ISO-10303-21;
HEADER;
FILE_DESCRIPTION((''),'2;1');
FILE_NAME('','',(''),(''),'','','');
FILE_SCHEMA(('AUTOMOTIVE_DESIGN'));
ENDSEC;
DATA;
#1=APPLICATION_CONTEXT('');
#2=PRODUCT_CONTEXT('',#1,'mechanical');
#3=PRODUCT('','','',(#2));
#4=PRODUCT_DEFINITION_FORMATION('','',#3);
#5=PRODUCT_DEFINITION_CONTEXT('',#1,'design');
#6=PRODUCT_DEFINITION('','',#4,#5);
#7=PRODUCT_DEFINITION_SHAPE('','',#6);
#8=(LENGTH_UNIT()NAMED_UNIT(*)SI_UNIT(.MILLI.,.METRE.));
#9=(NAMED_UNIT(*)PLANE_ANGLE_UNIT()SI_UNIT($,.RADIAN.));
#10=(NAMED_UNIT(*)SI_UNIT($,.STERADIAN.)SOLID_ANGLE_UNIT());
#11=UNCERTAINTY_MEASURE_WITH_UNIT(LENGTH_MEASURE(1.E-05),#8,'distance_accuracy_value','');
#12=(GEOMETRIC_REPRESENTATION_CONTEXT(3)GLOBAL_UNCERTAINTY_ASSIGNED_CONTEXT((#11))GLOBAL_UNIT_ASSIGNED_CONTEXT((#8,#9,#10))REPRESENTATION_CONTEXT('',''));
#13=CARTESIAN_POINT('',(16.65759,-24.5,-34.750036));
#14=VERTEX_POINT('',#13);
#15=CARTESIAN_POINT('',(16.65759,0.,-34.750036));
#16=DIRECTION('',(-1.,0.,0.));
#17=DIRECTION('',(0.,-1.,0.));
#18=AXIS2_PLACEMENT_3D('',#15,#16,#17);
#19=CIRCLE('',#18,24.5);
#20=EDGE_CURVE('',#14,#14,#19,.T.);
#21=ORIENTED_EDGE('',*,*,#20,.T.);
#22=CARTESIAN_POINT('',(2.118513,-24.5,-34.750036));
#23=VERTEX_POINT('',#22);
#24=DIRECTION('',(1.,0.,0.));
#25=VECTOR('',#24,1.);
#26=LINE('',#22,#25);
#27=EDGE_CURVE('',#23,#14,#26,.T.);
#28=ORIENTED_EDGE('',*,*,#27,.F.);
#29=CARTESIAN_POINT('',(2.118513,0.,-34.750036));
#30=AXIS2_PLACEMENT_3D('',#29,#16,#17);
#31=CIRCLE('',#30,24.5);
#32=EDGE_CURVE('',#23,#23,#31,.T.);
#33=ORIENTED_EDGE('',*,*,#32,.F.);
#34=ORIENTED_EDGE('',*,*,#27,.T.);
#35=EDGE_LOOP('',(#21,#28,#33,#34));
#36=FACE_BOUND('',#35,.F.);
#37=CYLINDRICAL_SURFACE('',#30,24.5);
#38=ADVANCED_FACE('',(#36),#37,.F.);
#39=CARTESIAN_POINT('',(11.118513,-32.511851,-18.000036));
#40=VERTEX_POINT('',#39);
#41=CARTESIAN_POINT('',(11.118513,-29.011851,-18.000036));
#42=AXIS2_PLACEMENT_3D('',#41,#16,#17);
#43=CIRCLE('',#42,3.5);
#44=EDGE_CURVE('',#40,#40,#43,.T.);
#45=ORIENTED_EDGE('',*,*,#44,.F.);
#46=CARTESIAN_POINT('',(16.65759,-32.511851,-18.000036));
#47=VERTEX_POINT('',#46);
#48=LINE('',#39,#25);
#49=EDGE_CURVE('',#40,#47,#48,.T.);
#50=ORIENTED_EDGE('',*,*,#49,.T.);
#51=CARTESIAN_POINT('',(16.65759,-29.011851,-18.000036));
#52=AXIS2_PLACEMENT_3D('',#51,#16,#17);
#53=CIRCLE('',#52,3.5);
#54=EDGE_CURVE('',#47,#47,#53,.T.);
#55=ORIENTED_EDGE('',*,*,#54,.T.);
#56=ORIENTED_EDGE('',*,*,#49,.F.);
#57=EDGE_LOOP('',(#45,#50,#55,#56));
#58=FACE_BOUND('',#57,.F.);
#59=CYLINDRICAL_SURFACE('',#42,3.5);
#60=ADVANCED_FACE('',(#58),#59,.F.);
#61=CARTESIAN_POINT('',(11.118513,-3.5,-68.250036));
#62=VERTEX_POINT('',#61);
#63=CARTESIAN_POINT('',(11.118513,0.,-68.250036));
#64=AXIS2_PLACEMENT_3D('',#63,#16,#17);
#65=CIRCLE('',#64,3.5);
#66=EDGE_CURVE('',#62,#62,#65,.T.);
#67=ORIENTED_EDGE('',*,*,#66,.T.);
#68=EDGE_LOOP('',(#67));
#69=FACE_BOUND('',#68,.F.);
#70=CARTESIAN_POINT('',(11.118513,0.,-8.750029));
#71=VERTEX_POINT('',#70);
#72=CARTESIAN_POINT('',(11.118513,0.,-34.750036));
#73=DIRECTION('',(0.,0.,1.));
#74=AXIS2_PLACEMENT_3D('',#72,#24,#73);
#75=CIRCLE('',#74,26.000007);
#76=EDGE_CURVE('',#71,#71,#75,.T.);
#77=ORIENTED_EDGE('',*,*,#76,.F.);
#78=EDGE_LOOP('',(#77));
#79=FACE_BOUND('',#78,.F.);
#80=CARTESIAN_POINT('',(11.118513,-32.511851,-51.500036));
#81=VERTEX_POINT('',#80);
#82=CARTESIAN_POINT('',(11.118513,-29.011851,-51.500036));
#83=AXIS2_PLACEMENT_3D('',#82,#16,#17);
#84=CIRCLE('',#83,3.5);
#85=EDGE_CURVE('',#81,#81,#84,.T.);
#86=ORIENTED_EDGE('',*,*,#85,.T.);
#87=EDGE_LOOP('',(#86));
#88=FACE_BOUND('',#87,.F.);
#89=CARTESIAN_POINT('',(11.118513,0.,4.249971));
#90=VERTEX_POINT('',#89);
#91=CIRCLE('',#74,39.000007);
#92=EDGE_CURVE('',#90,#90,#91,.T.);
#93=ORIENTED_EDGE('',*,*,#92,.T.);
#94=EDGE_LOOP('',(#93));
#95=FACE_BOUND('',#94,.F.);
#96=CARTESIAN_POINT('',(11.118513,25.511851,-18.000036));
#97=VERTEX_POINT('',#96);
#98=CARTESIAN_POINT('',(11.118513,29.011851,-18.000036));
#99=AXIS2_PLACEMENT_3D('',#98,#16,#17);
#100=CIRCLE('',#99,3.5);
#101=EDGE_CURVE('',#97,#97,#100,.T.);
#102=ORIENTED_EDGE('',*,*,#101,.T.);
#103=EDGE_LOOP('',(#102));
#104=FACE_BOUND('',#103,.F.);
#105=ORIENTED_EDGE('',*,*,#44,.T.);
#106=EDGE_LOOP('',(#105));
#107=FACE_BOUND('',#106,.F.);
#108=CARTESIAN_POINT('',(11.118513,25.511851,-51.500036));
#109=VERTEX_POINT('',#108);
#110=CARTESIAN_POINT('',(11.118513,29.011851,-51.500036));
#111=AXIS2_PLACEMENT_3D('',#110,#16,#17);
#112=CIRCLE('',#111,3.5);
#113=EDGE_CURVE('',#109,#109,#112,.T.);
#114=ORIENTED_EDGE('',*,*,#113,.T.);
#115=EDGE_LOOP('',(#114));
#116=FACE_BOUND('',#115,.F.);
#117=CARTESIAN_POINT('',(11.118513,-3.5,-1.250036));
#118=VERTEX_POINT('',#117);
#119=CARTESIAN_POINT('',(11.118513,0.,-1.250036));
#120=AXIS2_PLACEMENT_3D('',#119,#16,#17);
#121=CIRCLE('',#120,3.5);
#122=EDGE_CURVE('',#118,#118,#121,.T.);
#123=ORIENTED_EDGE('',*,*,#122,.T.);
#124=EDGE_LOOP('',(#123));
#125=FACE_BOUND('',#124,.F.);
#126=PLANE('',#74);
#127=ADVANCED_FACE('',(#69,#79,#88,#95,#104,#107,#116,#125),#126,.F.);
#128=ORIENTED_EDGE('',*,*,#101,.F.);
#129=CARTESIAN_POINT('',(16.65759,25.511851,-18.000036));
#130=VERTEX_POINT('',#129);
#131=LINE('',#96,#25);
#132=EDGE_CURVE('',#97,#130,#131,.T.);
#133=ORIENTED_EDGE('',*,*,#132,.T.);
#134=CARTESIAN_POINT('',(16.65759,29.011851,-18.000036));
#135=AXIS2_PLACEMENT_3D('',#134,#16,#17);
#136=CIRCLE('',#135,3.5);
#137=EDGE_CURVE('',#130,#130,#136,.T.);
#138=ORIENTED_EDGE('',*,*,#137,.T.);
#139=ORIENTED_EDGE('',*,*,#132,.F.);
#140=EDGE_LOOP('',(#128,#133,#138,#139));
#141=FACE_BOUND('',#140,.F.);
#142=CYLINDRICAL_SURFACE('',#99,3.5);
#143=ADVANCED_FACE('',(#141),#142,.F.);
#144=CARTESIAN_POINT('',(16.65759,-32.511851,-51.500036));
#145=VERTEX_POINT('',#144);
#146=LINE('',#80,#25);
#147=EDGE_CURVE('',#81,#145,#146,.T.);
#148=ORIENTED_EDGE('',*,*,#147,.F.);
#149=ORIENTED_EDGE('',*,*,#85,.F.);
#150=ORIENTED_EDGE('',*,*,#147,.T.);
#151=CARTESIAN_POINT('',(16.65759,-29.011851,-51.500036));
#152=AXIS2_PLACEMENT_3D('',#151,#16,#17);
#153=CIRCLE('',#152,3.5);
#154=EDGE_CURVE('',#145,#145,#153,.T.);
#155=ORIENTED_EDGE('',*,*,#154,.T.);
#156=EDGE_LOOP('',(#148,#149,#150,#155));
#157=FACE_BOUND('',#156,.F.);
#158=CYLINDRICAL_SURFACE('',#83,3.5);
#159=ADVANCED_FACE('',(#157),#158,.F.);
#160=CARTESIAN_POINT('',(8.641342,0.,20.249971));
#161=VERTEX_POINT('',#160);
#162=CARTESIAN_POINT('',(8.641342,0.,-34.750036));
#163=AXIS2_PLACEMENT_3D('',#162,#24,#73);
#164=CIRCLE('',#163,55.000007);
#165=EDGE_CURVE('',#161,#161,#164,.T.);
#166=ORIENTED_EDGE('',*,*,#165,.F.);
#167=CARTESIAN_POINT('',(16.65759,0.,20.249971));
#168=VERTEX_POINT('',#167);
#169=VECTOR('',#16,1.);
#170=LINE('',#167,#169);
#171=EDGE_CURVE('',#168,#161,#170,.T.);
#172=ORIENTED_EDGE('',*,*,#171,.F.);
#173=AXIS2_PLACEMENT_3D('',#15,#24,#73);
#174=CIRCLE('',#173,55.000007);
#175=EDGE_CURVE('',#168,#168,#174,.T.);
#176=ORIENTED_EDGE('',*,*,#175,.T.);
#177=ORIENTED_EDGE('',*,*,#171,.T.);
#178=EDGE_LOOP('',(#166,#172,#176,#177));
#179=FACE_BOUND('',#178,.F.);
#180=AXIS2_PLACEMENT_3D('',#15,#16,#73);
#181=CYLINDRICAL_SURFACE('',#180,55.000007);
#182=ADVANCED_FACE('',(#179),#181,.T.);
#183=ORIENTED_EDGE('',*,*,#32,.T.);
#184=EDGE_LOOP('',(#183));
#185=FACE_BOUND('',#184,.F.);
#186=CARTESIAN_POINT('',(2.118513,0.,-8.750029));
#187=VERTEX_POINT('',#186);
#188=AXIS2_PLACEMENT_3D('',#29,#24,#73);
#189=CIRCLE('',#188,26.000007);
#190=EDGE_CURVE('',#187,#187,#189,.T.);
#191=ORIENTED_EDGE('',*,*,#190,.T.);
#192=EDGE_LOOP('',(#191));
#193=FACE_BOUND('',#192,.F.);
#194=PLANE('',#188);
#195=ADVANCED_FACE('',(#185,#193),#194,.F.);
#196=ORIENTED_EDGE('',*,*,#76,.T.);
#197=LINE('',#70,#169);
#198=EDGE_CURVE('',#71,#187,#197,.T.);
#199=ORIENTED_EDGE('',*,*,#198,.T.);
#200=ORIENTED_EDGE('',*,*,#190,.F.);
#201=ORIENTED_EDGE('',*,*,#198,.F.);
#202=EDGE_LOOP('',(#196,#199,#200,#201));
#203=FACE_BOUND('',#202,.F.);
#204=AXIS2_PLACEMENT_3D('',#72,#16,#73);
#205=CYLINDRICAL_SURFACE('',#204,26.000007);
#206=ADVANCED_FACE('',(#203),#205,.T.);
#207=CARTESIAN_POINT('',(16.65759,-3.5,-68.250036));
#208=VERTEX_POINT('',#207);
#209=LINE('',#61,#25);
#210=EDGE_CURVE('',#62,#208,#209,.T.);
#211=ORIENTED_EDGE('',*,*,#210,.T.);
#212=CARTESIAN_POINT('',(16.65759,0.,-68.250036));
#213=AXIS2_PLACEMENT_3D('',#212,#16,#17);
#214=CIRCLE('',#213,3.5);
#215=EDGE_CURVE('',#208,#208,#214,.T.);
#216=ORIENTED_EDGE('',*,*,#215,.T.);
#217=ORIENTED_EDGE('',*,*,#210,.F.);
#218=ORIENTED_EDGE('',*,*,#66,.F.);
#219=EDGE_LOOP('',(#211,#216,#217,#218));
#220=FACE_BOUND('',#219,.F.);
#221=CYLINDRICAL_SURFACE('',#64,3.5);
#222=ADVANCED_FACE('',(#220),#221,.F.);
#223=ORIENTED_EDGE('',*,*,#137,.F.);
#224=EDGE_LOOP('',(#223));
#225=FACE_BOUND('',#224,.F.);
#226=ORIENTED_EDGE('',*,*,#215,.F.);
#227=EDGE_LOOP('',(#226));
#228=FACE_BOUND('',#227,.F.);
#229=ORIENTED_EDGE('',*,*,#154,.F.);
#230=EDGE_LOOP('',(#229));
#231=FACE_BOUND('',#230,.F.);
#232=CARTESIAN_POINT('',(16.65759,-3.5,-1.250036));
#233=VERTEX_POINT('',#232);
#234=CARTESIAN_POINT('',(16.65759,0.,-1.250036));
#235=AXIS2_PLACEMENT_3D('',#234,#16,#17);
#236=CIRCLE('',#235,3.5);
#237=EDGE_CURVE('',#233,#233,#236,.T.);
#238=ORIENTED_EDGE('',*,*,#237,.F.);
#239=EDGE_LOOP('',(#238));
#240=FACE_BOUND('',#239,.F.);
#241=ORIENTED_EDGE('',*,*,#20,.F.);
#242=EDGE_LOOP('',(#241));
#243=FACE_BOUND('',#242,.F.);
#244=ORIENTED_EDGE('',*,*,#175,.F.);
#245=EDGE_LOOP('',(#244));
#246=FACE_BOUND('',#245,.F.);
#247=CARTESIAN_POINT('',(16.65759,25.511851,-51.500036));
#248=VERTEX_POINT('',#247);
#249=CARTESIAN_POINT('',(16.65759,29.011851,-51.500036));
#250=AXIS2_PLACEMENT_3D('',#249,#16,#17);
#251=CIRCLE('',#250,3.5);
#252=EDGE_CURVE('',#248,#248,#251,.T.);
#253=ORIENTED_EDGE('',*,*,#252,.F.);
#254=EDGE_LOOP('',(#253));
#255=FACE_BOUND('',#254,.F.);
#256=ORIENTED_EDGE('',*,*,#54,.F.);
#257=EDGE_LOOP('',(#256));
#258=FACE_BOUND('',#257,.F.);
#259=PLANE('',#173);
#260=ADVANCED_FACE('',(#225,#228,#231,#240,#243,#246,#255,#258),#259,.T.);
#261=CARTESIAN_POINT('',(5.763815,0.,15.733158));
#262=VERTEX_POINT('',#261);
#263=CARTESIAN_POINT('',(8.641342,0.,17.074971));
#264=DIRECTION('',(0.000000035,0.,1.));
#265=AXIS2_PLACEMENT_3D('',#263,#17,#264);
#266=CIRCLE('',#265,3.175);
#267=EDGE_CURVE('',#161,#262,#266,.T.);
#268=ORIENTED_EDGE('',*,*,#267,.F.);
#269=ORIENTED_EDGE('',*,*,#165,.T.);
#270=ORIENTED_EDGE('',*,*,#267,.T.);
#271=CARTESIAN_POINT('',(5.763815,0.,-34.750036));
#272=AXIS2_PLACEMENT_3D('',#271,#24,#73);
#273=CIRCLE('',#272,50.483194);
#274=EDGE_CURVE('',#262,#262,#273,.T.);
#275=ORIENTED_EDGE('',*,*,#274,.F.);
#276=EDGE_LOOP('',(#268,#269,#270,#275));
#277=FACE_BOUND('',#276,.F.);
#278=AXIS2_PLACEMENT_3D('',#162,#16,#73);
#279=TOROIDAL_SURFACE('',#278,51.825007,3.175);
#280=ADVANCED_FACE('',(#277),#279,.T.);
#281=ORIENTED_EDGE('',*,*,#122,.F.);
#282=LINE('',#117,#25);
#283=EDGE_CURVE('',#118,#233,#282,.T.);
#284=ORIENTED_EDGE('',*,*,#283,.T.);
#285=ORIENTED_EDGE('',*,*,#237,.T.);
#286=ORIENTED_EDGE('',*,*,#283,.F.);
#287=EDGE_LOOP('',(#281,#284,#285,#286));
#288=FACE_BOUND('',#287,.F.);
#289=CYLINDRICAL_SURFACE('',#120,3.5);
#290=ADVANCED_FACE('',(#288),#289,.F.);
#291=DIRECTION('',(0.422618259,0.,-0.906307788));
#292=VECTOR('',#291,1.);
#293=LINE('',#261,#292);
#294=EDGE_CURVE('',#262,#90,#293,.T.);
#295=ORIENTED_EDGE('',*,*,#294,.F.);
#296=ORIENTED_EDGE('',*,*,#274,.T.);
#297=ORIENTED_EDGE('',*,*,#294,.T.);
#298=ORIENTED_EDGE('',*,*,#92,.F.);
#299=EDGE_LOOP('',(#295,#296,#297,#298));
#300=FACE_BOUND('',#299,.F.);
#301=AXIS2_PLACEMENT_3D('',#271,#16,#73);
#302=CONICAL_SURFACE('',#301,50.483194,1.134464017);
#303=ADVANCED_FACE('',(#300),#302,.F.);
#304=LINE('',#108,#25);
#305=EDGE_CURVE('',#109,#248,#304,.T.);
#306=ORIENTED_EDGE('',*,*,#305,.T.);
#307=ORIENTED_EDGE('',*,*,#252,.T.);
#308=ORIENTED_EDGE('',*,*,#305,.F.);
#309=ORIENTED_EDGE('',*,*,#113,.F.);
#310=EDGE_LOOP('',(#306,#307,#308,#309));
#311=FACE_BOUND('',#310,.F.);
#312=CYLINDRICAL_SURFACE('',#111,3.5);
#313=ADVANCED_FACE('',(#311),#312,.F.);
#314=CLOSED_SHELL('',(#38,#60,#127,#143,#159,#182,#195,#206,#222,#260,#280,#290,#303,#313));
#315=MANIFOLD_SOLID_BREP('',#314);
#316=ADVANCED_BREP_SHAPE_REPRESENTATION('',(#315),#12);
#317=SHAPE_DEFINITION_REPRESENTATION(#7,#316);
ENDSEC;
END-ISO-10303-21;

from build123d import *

# Parameters (mm, degrees)
F2_R     = 24.5
F3_DEPTH = 14.540077
F4_R     = 3.5
F5_DEPTH = 5.540077


with BuildPart() as f1:
    # F0 (on Front) → F1 (revolve)
    with BuildSketch(Plane.XZ):
        with BuildLine():
            Line((16.65759, 20.249971), (8.641342, 20.249971))
            ThreePointArc((8.641342, 20.249971), (5.963574, 18.780897), (5.763815, 15.733158))
            Line((5.763815, 15.733158), (11.118513, 4.249971))
            Line((11.118513, 4.249971), (11.118513, -8.750029))
            Line((11.118513, -8.750029), (2.118513, -8.750029))
            Line((2.118513, -8.750029), (2.118513, -34.750036))
            Line((2.118513, -34.750036), (16.65759, -34.750036))
            Line((16.65759, -34.750036), (16.65759, 4.249971))
            Line((16.65759, 4.249971), (16.65759, 20.249971))
        make_face()
    revolve(axis=Axis((9.388052, 0, -34.750036), (1, 0, 0)))

    # F2 (on face) → F3 (cut, through all)
    with BuildSketch(Plane(origin=(2.118513, 0, 0), x_dir=(0, -1, 0), z_dir=(-1, 0, 0))):
        with Locations((0, -34.750036)):
            Circle(F2_R)
    extrude(amount=-F3_DEPTH, mode=Mode.SUBTRACT)

    # F4 (on face) → F5 (cut, through all)
    with BuildSketch(Plane(origin=(11.118513, 0, 0), x_dir=(0, -1, 0), z_dir=(-1, 0, 0))):
        with Locations((0, -1.250036)):
            Circle(F4_R)
        with Locations((-29.011851, -18.000036)):
            Circle(F4_R)
        with Locations((-29.011851, -51.500036)):
            Circle(F4_R)
        with Locations((0, -68.250036)):
            Circle(F4_R)
        with Locations((29.011851, -51.500036)):
            Circle(F4_R)
        with Locations((29.011851, -18.000036)):
            Circle(F4_R)
    extrude(amount=-F5_DEPTH, mode=Mode.SUBTRACT)


solid = f1.part
